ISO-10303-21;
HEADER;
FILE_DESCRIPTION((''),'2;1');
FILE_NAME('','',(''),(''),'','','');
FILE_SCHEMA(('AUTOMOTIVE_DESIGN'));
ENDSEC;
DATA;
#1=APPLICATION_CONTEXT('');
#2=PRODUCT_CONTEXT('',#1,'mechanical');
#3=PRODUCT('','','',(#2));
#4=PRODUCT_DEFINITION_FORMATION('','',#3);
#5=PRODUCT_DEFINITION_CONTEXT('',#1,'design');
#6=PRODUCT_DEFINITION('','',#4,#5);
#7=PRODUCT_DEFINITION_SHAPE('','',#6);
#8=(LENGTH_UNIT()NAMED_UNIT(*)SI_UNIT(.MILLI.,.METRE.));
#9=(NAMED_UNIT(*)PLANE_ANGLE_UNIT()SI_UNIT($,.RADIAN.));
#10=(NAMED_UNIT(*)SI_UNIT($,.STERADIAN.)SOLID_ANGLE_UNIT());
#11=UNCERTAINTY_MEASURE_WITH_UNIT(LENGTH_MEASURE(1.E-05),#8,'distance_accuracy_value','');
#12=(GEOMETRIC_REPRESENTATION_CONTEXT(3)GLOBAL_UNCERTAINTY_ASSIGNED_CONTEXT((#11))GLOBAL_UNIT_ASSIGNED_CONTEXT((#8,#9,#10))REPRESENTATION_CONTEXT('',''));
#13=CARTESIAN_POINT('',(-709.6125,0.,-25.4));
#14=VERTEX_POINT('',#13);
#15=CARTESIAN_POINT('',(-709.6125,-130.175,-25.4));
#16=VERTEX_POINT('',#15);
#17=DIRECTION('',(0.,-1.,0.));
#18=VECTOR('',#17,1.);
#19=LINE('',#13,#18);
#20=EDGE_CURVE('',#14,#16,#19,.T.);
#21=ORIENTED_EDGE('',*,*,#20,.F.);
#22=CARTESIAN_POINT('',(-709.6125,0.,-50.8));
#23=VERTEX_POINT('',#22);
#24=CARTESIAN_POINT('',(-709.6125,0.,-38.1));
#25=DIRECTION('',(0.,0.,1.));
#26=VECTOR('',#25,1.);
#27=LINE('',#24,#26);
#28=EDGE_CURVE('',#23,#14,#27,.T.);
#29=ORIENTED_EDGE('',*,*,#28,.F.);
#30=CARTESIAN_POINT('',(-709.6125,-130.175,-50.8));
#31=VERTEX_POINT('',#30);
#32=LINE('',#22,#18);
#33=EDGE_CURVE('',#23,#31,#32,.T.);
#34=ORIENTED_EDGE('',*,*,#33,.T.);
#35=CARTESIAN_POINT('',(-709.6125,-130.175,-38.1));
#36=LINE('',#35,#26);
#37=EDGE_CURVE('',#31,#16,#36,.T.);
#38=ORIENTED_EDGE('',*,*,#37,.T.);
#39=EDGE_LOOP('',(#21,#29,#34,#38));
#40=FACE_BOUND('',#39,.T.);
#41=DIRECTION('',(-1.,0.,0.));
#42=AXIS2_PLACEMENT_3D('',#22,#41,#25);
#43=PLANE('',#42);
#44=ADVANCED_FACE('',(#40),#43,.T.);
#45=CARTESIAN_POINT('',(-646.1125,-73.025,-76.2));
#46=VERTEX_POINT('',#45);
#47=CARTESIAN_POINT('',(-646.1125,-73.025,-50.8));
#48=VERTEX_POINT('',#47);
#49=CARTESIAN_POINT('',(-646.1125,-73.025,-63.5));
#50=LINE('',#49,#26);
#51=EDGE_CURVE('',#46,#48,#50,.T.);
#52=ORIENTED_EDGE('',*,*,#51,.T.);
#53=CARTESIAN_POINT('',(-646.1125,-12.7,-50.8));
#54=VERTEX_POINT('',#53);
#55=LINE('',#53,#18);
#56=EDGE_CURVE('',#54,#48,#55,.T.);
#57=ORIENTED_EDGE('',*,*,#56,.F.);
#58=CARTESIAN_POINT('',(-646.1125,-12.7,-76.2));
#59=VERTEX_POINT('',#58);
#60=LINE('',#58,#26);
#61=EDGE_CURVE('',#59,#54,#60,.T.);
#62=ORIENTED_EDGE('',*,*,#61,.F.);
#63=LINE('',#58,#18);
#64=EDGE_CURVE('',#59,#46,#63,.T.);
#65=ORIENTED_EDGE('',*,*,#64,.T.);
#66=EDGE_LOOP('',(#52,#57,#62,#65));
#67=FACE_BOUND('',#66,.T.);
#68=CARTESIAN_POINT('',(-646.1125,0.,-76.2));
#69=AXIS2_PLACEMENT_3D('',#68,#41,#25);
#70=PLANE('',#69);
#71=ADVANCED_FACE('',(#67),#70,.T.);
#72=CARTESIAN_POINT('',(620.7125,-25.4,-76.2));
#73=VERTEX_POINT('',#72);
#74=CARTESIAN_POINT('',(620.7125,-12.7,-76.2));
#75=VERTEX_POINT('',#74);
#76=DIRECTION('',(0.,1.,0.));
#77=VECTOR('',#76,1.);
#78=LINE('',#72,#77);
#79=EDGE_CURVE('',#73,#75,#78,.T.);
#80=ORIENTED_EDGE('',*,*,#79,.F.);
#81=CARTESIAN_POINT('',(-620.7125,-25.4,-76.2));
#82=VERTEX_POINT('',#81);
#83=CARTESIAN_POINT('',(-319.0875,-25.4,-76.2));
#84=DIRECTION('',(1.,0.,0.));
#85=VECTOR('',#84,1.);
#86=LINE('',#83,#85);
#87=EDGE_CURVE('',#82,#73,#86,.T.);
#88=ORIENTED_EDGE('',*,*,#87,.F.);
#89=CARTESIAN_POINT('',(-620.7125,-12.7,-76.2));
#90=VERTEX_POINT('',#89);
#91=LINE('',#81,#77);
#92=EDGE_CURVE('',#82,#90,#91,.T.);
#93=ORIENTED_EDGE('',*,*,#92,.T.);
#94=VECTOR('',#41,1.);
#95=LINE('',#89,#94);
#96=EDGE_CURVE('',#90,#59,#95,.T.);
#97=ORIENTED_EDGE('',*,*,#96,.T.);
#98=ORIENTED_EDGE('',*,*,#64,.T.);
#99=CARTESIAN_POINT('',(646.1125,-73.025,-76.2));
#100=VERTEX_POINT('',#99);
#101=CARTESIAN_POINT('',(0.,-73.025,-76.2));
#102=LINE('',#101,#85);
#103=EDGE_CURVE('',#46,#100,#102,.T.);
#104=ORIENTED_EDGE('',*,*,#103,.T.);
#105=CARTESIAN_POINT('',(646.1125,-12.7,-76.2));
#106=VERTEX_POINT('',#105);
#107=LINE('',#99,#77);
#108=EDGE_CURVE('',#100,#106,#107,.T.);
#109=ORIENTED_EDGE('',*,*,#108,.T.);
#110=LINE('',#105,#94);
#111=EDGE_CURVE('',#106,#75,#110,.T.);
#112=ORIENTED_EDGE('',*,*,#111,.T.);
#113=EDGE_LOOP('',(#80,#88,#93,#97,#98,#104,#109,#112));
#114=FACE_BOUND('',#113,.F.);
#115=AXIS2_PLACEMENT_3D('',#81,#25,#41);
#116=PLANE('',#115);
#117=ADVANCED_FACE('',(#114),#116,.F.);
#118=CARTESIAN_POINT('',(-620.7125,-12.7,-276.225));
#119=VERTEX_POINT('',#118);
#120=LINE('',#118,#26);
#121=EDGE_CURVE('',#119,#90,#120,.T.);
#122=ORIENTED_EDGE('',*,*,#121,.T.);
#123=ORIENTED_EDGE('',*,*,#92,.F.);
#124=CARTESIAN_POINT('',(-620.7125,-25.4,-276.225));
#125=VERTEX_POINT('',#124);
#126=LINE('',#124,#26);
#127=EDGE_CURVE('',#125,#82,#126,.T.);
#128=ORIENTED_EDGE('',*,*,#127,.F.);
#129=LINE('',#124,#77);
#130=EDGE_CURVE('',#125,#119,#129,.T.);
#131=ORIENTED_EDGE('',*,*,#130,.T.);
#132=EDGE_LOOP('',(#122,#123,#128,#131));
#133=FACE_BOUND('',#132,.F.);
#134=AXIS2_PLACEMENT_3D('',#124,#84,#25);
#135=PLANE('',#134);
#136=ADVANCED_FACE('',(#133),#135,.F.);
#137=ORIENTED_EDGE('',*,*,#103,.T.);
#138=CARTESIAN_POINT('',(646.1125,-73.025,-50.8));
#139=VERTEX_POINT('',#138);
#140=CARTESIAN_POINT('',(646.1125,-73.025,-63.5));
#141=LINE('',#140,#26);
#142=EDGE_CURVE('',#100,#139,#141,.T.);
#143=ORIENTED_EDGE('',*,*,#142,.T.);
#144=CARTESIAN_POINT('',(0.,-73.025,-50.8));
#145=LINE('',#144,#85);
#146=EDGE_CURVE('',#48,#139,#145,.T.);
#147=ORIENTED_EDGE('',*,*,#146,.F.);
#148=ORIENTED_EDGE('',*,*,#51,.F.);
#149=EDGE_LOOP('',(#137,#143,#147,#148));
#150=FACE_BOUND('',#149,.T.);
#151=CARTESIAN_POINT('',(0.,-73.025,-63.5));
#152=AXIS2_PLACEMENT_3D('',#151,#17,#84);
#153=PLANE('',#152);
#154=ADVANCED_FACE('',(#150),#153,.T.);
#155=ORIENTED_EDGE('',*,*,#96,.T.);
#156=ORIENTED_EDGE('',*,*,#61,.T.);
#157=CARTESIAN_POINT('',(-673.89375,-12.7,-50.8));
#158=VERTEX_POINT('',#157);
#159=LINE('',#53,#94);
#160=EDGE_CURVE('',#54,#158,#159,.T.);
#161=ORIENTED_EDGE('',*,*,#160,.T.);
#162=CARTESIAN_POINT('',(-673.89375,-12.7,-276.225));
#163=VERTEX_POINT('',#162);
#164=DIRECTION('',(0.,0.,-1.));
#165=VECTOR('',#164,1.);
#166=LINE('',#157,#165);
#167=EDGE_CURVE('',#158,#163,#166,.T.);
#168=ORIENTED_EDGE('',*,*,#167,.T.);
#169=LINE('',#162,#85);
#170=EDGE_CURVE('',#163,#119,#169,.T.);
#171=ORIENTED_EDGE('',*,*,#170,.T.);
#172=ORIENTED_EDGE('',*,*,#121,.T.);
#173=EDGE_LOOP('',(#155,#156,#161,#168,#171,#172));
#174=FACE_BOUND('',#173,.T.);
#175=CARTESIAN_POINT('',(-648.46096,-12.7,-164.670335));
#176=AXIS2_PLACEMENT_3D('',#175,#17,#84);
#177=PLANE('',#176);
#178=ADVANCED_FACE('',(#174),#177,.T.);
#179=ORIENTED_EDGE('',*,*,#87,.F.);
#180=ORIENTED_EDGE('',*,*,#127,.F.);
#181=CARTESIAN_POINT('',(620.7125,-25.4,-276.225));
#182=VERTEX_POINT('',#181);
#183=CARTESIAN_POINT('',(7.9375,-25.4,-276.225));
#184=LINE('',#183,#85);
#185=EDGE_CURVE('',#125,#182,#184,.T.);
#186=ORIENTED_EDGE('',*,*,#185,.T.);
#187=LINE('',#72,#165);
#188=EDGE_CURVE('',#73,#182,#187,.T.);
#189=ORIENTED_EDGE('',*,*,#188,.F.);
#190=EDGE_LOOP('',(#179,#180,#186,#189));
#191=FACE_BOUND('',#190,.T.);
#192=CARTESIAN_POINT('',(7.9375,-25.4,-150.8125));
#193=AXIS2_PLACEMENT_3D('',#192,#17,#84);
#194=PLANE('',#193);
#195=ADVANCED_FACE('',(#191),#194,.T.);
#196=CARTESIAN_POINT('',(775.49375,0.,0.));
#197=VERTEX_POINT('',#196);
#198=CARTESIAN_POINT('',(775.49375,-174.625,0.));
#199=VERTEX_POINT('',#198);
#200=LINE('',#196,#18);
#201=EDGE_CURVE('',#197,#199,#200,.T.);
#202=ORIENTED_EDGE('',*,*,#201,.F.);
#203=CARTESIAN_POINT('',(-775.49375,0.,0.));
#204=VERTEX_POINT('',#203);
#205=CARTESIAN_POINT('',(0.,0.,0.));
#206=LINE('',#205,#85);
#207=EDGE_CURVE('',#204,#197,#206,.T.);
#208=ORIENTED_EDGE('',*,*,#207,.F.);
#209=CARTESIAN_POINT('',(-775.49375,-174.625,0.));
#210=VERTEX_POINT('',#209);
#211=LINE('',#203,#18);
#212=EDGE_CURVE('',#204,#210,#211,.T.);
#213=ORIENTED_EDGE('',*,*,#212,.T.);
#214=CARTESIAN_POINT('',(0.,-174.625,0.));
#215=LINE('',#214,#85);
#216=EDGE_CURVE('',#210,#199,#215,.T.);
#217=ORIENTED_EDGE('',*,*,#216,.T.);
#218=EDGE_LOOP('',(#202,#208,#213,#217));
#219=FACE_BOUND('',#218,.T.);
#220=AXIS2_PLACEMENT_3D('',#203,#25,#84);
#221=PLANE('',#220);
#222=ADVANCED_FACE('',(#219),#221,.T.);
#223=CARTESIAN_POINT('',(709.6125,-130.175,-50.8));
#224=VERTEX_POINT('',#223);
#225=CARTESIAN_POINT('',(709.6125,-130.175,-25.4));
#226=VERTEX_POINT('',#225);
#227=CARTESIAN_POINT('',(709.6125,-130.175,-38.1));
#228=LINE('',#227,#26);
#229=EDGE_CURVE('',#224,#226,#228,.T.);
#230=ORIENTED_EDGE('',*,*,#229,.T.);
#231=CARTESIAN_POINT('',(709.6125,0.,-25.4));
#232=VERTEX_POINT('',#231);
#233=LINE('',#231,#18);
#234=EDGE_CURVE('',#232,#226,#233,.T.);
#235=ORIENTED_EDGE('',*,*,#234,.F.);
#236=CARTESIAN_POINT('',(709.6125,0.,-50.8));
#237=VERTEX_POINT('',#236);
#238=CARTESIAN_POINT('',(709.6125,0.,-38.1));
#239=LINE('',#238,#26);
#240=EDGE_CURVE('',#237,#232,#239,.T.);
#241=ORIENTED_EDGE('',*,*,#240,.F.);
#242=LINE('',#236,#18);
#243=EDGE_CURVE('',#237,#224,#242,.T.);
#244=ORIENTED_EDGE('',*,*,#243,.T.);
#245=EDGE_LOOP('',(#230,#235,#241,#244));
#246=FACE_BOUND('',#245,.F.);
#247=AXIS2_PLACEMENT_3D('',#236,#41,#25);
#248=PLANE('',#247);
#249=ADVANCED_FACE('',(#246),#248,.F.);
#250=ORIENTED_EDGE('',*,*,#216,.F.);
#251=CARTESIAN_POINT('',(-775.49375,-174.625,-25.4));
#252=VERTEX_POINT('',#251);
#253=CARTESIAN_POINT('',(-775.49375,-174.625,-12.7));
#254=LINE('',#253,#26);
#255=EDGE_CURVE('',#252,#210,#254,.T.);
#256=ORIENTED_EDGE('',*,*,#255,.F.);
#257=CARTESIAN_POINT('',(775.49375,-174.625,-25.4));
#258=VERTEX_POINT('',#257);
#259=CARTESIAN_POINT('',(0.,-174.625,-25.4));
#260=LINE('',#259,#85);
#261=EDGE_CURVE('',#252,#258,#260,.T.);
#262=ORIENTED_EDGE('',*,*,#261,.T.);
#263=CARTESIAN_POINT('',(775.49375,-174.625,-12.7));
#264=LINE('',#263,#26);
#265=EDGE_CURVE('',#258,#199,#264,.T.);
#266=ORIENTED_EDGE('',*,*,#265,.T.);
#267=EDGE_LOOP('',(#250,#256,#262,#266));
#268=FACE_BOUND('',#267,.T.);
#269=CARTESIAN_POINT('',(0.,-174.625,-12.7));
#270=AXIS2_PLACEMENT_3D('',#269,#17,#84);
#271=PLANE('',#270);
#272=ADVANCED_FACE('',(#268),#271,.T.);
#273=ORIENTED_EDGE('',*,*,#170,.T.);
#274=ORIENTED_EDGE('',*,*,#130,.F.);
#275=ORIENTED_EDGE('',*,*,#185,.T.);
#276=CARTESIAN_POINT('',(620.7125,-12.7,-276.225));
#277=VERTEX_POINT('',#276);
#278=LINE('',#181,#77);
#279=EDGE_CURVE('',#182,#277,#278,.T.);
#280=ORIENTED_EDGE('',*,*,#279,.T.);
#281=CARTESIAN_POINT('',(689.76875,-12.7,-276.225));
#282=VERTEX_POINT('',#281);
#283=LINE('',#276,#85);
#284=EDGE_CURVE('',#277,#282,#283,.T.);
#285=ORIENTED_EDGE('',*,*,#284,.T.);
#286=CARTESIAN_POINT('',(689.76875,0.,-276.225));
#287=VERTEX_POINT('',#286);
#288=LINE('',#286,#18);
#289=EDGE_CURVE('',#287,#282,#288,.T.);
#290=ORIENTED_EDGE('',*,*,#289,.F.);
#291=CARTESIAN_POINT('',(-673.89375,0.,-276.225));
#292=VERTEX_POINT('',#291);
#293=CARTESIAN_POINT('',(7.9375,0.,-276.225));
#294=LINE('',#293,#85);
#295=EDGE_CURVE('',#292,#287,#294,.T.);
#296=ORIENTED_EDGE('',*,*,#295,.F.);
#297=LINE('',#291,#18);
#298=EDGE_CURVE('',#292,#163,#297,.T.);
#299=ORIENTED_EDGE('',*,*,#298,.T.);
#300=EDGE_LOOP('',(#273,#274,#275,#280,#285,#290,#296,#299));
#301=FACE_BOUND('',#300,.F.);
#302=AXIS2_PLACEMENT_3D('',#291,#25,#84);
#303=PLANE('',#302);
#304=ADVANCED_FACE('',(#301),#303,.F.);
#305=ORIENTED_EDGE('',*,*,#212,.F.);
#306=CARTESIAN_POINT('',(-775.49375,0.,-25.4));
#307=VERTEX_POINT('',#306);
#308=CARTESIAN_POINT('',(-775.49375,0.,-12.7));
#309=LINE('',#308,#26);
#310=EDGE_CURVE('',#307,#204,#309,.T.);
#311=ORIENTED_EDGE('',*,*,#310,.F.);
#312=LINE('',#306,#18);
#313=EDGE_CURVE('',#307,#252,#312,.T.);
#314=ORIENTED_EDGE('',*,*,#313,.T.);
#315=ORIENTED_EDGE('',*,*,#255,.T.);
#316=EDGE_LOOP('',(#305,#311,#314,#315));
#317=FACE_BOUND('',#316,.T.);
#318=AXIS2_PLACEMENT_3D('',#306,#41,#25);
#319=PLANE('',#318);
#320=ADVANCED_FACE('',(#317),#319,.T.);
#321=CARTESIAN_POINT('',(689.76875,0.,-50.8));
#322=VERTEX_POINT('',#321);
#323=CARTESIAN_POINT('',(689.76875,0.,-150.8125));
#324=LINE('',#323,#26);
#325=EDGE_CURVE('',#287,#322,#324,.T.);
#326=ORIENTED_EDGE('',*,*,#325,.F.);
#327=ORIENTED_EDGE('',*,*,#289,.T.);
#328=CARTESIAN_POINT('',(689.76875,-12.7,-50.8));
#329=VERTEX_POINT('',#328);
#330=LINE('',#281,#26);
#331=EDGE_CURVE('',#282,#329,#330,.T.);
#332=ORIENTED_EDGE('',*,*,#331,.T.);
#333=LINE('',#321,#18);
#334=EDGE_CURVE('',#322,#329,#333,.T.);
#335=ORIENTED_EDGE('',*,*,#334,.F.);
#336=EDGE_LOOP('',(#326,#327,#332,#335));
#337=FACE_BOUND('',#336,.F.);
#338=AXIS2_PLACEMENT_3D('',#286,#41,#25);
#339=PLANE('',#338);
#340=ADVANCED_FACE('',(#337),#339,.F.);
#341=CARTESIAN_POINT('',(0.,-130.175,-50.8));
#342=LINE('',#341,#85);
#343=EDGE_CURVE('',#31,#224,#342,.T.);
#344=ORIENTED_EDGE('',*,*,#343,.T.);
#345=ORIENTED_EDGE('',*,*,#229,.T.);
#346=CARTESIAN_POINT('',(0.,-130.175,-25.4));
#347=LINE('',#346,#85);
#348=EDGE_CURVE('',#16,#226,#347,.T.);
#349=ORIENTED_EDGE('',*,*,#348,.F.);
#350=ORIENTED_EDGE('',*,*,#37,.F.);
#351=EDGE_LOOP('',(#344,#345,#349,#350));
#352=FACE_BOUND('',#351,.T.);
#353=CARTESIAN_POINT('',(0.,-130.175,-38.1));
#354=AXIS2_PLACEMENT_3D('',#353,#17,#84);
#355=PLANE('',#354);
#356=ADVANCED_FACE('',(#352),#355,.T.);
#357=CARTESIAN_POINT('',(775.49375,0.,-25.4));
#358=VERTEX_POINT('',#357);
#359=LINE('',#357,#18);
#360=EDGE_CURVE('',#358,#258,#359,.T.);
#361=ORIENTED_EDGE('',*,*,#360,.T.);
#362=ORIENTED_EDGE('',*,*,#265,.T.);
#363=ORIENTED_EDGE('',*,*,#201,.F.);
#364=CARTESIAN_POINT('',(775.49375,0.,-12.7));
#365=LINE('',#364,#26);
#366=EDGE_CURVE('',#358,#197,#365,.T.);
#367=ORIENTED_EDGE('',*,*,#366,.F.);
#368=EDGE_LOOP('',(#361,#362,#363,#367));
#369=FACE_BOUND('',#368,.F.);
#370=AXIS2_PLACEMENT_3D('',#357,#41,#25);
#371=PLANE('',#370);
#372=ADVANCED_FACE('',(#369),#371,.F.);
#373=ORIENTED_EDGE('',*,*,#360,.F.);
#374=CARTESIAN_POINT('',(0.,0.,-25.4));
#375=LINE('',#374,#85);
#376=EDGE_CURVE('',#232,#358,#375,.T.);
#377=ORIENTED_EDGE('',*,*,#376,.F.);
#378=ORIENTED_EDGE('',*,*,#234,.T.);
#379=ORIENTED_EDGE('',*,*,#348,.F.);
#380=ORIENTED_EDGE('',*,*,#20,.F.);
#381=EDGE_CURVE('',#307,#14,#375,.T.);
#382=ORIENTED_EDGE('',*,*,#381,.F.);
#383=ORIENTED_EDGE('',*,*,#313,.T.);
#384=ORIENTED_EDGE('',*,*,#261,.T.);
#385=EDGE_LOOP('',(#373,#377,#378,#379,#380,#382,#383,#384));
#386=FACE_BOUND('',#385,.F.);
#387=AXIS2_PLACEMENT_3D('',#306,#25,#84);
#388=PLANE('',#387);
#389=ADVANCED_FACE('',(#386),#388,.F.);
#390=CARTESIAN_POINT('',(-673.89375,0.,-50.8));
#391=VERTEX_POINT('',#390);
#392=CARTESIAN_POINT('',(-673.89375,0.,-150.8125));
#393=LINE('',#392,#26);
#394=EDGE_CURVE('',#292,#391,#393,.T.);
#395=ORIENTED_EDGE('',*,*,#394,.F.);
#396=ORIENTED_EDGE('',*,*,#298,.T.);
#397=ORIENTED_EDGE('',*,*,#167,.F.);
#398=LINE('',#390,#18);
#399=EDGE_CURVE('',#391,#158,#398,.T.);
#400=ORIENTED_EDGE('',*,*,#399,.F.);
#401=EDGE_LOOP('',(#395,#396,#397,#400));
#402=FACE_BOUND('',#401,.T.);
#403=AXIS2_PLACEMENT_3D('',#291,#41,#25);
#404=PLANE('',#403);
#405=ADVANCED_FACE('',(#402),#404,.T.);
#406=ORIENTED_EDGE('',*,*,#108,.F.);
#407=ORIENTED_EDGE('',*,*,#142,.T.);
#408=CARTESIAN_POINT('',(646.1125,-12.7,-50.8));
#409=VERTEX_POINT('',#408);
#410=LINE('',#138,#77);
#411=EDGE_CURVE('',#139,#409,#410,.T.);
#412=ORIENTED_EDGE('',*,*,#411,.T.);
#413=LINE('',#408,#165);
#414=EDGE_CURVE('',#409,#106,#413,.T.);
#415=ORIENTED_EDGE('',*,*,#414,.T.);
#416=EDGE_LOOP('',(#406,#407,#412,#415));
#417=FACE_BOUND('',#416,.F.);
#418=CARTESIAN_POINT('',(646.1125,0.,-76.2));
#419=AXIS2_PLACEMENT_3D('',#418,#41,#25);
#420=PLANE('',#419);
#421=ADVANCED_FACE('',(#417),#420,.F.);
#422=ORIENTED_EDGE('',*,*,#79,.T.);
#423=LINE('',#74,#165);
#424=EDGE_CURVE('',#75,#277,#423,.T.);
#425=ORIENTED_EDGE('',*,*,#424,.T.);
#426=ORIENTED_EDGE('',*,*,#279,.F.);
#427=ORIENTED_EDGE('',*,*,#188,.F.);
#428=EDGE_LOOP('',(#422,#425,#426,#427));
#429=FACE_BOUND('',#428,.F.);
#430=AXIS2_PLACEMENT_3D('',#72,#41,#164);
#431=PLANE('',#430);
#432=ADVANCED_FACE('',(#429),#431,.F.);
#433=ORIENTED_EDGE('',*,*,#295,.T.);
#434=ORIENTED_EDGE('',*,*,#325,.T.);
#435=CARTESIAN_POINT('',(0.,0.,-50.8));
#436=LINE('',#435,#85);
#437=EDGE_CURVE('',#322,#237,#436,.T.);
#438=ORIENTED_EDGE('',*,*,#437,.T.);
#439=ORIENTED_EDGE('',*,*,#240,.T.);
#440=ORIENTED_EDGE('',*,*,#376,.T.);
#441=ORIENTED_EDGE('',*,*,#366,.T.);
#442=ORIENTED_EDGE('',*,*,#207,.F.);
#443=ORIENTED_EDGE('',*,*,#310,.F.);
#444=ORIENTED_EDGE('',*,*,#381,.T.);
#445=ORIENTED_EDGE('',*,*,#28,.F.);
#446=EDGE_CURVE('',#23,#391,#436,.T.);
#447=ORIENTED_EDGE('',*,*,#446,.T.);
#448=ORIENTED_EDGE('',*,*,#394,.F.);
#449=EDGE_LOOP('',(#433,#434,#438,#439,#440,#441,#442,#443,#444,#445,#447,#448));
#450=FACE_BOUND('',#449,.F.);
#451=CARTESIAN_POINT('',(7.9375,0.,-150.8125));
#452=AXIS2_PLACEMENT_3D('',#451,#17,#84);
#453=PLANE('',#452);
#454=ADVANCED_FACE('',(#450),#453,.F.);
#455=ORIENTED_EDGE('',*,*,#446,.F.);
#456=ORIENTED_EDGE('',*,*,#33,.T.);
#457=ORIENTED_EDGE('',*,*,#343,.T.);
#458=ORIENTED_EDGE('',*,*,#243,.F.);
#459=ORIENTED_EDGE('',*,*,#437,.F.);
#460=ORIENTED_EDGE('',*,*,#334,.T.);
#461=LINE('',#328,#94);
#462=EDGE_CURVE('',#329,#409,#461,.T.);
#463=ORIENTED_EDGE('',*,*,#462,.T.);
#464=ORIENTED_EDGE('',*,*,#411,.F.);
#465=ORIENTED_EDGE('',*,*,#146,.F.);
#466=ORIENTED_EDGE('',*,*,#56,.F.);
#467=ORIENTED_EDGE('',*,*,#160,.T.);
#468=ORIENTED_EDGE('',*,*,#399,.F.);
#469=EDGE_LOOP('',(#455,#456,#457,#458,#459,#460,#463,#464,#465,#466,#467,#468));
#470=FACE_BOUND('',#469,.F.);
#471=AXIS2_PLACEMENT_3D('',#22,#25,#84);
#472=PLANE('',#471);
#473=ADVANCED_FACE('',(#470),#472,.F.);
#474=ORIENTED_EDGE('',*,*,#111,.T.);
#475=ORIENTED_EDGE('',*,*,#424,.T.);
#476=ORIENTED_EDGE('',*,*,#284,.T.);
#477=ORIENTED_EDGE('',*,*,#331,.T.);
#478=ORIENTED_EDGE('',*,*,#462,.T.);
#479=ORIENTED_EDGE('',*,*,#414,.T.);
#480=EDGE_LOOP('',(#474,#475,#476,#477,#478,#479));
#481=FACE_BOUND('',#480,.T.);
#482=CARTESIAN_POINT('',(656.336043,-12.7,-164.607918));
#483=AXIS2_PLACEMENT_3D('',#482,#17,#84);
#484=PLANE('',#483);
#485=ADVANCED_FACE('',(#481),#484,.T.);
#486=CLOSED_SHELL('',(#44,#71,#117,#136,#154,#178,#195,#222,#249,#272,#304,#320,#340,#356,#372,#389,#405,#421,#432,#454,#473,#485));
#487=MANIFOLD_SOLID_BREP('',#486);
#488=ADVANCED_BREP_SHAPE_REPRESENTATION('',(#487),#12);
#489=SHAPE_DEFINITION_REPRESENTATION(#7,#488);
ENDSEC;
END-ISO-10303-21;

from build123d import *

# Parameters (mm, degrees)
F0_W     = 1550.9875
F0_H     = 25.4
F1_DEPTH = 174.625
F3_W     = 1419.225
F3_H     = 25.4
F4_DEPTH = 130.175
F5_W     = 1292.225
F5_H     = 25.4
F6_DEPTH = 73.025
F2_W     = 1363.6625
F2_H     = 250.825
F7_DEPTH = 25.4
F9_DEPTH = 12.7


with BuildPart() as f1:
    # F0 (on Front) → F1 (new body)
    with BuildSketch(Plane.XZ):
        with Locations((0, -12.7)):
            Rectangle(F0_W, F0_H)
    extrude(amount=F1_DEPTH)

    # F3 (on Front) → F4 (join)
    with BuildSketch(Plane.XZ):
        with Locations((0, -38.1)):
            Rectangle(F3_W, F3_H)
    extrude(amount=F4_DEPTH)

    # F5 (on Front) → F6 (join)
    with BuildSketch(Plane.XZ):
        with Locations((0, -63.5)):
            Rectangle(F5_W, F5_H)
    extrude(amount=F6_DEPTH)

    # F2 (on Front) → F7 (join)
    with BuildSketch(Plane.XZ):
        with Locations((7.9375, -150.8125)):
            Rectangle(F2_W, F2_H)
    extrude(amount=F7_DEPTH)

    # F8 (on face) → F9 (cut)
    with BuildSketch(Plane.XZ.offset(25.4)):
        Polygon((-673.89375, -50.8), (-673.89375, -276.225), (-620.7125, -276.225), (-620.7125, -76.2), (-646.1125, -76.2), (-646.1125, -50.8), align=None)
        Polygon((620.7125, -76.2), (620.7125, -276.225), (689.76875, -276.225), (689.76875, -50.8), (646.1125, -50.8), (646.1125, -76.2), align=None)
    extrude(amount=-F9_DEPTH, mode=Mode.SUBTRACT)


solid = f1.part
